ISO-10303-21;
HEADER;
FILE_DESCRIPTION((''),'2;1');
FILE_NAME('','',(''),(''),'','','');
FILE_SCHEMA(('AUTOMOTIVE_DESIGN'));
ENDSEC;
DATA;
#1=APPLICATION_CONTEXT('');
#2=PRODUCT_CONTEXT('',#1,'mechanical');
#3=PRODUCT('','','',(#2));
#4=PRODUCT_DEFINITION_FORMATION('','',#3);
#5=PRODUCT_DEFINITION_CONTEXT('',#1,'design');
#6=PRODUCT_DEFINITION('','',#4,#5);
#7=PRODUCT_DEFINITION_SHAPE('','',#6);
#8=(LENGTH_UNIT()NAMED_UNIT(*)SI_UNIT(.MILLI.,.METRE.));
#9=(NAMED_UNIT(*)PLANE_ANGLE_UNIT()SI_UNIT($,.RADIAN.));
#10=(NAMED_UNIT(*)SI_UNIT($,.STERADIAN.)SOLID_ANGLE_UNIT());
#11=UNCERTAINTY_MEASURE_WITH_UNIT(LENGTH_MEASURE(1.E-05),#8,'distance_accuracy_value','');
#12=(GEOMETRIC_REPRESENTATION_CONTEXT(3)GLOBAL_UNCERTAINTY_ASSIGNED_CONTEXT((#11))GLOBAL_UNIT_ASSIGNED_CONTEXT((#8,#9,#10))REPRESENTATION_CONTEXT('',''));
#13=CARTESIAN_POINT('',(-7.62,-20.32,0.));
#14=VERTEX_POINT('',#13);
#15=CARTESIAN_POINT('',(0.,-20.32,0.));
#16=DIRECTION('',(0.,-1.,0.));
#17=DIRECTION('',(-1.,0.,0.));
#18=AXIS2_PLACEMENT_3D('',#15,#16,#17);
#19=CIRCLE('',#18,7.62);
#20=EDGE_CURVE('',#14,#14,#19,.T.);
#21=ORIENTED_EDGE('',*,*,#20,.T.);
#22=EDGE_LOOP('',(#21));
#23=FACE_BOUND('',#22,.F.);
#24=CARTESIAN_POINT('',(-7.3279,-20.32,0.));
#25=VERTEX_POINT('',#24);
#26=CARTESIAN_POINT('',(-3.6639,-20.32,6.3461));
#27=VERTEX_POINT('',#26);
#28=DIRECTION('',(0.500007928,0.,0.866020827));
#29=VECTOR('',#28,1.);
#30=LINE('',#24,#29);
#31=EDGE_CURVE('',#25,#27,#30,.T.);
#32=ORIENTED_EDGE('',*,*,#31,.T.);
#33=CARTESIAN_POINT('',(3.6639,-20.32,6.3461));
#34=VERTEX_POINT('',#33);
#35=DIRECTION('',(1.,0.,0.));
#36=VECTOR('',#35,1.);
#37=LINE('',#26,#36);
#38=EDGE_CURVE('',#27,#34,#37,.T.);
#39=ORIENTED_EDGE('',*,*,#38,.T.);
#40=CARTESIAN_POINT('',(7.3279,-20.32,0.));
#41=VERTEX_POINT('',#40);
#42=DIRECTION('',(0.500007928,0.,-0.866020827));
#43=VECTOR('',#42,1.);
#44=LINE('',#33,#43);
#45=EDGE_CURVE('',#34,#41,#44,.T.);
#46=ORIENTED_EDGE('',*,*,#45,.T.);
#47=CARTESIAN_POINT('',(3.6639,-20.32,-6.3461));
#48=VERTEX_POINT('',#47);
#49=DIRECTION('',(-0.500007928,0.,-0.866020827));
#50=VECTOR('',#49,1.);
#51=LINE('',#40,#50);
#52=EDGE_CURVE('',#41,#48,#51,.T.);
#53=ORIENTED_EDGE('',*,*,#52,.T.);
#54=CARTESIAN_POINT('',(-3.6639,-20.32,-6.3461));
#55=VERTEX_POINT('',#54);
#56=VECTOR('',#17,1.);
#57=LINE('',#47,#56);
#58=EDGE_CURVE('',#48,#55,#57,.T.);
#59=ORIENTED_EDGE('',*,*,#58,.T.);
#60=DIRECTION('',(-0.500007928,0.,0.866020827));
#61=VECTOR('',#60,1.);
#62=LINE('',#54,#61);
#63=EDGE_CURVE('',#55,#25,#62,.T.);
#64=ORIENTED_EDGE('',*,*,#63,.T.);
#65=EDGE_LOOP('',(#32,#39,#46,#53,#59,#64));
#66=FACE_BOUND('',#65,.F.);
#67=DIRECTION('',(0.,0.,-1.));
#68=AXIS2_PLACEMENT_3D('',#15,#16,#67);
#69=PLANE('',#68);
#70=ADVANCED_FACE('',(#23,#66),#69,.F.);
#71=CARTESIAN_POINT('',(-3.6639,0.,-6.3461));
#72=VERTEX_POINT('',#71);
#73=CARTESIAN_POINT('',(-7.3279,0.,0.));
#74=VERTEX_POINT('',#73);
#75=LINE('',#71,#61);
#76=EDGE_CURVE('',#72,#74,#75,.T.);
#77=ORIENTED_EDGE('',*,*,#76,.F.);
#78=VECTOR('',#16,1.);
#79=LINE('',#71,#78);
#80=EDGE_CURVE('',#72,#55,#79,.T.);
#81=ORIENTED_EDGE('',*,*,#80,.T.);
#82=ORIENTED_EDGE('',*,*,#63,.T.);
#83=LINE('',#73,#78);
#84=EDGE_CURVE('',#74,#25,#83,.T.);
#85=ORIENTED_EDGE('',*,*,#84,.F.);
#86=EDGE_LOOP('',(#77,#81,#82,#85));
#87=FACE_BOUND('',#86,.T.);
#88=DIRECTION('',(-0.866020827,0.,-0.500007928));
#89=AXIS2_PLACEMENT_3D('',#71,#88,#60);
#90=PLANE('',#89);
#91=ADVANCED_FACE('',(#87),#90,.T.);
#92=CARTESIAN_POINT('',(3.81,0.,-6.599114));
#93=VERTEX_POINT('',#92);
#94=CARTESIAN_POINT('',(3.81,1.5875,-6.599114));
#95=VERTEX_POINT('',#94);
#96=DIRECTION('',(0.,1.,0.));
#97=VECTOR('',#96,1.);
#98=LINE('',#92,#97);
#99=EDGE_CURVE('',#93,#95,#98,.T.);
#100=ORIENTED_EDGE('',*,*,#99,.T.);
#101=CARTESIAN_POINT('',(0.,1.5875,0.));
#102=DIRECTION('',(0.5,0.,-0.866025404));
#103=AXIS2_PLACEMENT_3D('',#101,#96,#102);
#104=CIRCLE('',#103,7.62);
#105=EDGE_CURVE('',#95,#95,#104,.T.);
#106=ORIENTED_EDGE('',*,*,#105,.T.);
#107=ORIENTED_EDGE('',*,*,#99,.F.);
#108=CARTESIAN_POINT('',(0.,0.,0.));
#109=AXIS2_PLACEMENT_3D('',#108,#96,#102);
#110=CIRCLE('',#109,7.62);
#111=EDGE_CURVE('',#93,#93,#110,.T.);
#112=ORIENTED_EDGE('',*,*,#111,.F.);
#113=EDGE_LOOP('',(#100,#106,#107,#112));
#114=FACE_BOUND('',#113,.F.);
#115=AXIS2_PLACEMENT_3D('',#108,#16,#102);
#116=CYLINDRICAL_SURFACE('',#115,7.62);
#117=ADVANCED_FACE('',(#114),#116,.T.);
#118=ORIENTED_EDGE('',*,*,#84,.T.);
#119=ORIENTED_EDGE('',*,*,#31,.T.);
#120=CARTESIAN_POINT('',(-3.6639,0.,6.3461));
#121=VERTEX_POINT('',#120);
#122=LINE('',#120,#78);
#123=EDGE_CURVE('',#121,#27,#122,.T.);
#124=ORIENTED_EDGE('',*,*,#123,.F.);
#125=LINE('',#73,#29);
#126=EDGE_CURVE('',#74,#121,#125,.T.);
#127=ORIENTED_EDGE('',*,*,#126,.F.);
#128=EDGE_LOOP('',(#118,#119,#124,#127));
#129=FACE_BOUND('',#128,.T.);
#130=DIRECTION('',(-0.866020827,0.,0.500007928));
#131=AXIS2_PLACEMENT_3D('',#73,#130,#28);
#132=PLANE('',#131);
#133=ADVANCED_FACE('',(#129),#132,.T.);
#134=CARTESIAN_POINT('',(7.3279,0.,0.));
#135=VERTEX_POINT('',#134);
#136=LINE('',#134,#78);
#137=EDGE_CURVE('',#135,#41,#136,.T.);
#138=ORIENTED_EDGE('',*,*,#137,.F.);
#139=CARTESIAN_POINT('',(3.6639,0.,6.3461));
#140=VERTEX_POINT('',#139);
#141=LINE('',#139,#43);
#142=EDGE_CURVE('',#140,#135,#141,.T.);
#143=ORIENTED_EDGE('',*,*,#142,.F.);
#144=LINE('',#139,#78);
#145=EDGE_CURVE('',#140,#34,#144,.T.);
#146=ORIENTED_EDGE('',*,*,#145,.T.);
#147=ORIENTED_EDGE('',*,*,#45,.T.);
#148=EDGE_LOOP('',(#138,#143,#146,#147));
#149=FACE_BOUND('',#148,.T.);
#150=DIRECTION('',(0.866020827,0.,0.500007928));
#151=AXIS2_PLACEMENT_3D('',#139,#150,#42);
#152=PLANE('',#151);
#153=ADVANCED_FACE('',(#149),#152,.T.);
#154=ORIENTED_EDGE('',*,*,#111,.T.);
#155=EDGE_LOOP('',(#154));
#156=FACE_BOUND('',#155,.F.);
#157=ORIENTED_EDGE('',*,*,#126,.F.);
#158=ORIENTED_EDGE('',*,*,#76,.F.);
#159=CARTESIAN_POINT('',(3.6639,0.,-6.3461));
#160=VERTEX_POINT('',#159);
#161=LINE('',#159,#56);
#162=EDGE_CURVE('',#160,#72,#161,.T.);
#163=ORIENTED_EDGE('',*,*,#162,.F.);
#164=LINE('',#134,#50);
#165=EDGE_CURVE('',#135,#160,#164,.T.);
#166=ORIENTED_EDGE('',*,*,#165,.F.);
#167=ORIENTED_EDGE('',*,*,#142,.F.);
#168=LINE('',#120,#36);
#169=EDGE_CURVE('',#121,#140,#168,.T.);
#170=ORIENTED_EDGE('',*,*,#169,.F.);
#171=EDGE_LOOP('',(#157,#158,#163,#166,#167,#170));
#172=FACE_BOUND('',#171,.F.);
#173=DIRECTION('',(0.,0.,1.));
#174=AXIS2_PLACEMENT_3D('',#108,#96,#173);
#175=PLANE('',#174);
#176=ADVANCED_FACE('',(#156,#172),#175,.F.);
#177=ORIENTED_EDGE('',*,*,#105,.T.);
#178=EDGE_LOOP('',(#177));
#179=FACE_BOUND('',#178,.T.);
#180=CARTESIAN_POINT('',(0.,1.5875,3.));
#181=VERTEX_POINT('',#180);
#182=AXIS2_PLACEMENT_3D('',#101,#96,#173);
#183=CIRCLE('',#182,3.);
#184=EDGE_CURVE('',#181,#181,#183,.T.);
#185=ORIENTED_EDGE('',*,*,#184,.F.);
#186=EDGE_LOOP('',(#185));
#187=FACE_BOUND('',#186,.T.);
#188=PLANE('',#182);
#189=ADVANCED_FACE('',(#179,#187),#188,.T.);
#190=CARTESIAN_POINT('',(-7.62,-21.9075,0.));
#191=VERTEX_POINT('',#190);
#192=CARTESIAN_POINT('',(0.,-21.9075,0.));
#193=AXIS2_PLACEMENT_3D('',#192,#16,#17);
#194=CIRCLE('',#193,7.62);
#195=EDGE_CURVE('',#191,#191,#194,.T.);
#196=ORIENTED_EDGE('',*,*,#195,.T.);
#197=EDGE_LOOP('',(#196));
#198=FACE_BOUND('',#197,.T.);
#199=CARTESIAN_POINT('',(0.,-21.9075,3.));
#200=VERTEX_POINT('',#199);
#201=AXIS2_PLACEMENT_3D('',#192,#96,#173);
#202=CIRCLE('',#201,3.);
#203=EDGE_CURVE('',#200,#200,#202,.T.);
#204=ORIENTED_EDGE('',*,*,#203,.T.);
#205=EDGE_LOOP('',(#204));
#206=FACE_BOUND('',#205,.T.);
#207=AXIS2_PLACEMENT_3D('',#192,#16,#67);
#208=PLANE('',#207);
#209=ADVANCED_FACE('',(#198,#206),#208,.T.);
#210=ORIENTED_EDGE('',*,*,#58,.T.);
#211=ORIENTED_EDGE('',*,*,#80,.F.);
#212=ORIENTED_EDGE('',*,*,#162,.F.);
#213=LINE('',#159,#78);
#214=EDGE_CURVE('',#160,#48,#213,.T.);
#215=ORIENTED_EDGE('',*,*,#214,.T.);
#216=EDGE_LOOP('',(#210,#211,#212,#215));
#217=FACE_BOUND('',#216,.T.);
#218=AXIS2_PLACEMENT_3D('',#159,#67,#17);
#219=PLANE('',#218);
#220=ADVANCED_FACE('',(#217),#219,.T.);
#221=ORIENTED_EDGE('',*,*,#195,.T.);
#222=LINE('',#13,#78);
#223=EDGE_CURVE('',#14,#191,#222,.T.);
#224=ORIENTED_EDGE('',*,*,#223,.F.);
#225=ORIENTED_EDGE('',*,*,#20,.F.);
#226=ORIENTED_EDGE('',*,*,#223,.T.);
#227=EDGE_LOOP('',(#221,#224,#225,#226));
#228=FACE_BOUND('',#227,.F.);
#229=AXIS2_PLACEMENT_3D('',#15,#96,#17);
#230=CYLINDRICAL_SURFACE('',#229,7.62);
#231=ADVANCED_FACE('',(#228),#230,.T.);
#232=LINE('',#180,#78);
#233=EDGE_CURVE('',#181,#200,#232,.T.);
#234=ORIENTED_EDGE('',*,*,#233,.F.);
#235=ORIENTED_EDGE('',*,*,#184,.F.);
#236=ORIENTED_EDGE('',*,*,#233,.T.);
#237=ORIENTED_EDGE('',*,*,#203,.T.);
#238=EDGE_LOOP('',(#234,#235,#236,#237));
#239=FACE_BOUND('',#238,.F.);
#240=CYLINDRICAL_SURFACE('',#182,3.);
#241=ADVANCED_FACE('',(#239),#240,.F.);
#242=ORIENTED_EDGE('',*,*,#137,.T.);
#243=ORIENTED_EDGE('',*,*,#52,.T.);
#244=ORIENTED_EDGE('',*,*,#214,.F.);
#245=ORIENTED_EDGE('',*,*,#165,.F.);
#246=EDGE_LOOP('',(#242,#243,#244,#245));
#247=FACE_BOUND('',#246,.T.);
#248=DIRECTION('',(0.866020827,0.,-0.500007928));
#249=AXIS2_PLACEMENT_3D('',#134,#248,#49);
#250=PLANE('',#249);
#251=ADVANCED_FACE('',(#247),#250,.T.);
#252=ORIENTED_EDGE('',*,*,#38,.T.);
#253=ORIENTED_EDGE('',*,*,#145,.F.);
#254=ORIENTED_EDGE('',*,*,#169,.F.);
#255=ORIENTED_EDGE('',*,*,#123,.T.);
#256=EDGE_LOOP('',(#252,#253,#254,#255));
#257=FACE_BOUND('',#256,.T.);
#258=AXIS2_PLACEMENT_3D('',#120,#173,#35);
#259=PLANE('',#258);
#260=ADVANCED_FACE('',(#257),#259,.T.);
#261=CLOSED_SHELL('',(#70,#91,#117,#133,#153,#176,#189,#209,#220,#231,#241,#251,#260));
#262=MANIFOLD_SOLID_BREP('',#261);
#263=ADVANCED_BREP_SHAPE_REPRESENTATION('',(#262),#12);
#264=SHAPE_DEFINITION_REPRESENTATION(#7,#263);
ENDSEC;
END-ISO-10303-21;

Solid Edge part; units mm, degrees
sketch "Sketch1" plane through (0, 0, 0) normal (0, -1, 0) x (1, 0, 0)
  line L0 (-3.6639, 6.3461) -> (3.6639, 6.3461)
  line L1 (3.6639, 6.3461) -> (7.3279, 0)
  line L2 (7.3279, 0) -> (3.6639, -6.3461)
  line L3 (3.6639, -6.3461) -> (-3.6639, -6.3461)
  line L4 (-3.6639, -6.3461) -> (-7.3279, 0)
  line L5 (-7.3279, 0) -> (-3.6639, 6.3461)
  dimension "D1" = 14.6558
extrude "Protrusion1" add sketch "Sketch1" along normal blind 20.32
sketch "Sketch2" plane through (0, 0, 0) normal (0, 1, 0) x (0.5, 0, -0.866)
  circle A0 centre (0, 0) radius 7.62
extrude "ExtrudedProtrusion_2" add sketch "Sketch2" along normal blind 1.5875
sketch "Sketch3" plane through (0, -20.32, 0) normal (0, -1, 0) x (-1, 0, 0)
  circle A0 centre (0, 0) radius 7.62
extrude "ExtrudedProtrusion_3" add sketch "Sketch3" along normal blind 1.5875
sketch "Sketch4" plane through (0, 1.5875, 0) normal (0, 1, 0) x (0, 0, 1)
  circle A0 centre (0, 0) radius 3
  dimension "D1" = 6
extrude "Cutout1" cut sketch "Sketch4" against normal up to next
